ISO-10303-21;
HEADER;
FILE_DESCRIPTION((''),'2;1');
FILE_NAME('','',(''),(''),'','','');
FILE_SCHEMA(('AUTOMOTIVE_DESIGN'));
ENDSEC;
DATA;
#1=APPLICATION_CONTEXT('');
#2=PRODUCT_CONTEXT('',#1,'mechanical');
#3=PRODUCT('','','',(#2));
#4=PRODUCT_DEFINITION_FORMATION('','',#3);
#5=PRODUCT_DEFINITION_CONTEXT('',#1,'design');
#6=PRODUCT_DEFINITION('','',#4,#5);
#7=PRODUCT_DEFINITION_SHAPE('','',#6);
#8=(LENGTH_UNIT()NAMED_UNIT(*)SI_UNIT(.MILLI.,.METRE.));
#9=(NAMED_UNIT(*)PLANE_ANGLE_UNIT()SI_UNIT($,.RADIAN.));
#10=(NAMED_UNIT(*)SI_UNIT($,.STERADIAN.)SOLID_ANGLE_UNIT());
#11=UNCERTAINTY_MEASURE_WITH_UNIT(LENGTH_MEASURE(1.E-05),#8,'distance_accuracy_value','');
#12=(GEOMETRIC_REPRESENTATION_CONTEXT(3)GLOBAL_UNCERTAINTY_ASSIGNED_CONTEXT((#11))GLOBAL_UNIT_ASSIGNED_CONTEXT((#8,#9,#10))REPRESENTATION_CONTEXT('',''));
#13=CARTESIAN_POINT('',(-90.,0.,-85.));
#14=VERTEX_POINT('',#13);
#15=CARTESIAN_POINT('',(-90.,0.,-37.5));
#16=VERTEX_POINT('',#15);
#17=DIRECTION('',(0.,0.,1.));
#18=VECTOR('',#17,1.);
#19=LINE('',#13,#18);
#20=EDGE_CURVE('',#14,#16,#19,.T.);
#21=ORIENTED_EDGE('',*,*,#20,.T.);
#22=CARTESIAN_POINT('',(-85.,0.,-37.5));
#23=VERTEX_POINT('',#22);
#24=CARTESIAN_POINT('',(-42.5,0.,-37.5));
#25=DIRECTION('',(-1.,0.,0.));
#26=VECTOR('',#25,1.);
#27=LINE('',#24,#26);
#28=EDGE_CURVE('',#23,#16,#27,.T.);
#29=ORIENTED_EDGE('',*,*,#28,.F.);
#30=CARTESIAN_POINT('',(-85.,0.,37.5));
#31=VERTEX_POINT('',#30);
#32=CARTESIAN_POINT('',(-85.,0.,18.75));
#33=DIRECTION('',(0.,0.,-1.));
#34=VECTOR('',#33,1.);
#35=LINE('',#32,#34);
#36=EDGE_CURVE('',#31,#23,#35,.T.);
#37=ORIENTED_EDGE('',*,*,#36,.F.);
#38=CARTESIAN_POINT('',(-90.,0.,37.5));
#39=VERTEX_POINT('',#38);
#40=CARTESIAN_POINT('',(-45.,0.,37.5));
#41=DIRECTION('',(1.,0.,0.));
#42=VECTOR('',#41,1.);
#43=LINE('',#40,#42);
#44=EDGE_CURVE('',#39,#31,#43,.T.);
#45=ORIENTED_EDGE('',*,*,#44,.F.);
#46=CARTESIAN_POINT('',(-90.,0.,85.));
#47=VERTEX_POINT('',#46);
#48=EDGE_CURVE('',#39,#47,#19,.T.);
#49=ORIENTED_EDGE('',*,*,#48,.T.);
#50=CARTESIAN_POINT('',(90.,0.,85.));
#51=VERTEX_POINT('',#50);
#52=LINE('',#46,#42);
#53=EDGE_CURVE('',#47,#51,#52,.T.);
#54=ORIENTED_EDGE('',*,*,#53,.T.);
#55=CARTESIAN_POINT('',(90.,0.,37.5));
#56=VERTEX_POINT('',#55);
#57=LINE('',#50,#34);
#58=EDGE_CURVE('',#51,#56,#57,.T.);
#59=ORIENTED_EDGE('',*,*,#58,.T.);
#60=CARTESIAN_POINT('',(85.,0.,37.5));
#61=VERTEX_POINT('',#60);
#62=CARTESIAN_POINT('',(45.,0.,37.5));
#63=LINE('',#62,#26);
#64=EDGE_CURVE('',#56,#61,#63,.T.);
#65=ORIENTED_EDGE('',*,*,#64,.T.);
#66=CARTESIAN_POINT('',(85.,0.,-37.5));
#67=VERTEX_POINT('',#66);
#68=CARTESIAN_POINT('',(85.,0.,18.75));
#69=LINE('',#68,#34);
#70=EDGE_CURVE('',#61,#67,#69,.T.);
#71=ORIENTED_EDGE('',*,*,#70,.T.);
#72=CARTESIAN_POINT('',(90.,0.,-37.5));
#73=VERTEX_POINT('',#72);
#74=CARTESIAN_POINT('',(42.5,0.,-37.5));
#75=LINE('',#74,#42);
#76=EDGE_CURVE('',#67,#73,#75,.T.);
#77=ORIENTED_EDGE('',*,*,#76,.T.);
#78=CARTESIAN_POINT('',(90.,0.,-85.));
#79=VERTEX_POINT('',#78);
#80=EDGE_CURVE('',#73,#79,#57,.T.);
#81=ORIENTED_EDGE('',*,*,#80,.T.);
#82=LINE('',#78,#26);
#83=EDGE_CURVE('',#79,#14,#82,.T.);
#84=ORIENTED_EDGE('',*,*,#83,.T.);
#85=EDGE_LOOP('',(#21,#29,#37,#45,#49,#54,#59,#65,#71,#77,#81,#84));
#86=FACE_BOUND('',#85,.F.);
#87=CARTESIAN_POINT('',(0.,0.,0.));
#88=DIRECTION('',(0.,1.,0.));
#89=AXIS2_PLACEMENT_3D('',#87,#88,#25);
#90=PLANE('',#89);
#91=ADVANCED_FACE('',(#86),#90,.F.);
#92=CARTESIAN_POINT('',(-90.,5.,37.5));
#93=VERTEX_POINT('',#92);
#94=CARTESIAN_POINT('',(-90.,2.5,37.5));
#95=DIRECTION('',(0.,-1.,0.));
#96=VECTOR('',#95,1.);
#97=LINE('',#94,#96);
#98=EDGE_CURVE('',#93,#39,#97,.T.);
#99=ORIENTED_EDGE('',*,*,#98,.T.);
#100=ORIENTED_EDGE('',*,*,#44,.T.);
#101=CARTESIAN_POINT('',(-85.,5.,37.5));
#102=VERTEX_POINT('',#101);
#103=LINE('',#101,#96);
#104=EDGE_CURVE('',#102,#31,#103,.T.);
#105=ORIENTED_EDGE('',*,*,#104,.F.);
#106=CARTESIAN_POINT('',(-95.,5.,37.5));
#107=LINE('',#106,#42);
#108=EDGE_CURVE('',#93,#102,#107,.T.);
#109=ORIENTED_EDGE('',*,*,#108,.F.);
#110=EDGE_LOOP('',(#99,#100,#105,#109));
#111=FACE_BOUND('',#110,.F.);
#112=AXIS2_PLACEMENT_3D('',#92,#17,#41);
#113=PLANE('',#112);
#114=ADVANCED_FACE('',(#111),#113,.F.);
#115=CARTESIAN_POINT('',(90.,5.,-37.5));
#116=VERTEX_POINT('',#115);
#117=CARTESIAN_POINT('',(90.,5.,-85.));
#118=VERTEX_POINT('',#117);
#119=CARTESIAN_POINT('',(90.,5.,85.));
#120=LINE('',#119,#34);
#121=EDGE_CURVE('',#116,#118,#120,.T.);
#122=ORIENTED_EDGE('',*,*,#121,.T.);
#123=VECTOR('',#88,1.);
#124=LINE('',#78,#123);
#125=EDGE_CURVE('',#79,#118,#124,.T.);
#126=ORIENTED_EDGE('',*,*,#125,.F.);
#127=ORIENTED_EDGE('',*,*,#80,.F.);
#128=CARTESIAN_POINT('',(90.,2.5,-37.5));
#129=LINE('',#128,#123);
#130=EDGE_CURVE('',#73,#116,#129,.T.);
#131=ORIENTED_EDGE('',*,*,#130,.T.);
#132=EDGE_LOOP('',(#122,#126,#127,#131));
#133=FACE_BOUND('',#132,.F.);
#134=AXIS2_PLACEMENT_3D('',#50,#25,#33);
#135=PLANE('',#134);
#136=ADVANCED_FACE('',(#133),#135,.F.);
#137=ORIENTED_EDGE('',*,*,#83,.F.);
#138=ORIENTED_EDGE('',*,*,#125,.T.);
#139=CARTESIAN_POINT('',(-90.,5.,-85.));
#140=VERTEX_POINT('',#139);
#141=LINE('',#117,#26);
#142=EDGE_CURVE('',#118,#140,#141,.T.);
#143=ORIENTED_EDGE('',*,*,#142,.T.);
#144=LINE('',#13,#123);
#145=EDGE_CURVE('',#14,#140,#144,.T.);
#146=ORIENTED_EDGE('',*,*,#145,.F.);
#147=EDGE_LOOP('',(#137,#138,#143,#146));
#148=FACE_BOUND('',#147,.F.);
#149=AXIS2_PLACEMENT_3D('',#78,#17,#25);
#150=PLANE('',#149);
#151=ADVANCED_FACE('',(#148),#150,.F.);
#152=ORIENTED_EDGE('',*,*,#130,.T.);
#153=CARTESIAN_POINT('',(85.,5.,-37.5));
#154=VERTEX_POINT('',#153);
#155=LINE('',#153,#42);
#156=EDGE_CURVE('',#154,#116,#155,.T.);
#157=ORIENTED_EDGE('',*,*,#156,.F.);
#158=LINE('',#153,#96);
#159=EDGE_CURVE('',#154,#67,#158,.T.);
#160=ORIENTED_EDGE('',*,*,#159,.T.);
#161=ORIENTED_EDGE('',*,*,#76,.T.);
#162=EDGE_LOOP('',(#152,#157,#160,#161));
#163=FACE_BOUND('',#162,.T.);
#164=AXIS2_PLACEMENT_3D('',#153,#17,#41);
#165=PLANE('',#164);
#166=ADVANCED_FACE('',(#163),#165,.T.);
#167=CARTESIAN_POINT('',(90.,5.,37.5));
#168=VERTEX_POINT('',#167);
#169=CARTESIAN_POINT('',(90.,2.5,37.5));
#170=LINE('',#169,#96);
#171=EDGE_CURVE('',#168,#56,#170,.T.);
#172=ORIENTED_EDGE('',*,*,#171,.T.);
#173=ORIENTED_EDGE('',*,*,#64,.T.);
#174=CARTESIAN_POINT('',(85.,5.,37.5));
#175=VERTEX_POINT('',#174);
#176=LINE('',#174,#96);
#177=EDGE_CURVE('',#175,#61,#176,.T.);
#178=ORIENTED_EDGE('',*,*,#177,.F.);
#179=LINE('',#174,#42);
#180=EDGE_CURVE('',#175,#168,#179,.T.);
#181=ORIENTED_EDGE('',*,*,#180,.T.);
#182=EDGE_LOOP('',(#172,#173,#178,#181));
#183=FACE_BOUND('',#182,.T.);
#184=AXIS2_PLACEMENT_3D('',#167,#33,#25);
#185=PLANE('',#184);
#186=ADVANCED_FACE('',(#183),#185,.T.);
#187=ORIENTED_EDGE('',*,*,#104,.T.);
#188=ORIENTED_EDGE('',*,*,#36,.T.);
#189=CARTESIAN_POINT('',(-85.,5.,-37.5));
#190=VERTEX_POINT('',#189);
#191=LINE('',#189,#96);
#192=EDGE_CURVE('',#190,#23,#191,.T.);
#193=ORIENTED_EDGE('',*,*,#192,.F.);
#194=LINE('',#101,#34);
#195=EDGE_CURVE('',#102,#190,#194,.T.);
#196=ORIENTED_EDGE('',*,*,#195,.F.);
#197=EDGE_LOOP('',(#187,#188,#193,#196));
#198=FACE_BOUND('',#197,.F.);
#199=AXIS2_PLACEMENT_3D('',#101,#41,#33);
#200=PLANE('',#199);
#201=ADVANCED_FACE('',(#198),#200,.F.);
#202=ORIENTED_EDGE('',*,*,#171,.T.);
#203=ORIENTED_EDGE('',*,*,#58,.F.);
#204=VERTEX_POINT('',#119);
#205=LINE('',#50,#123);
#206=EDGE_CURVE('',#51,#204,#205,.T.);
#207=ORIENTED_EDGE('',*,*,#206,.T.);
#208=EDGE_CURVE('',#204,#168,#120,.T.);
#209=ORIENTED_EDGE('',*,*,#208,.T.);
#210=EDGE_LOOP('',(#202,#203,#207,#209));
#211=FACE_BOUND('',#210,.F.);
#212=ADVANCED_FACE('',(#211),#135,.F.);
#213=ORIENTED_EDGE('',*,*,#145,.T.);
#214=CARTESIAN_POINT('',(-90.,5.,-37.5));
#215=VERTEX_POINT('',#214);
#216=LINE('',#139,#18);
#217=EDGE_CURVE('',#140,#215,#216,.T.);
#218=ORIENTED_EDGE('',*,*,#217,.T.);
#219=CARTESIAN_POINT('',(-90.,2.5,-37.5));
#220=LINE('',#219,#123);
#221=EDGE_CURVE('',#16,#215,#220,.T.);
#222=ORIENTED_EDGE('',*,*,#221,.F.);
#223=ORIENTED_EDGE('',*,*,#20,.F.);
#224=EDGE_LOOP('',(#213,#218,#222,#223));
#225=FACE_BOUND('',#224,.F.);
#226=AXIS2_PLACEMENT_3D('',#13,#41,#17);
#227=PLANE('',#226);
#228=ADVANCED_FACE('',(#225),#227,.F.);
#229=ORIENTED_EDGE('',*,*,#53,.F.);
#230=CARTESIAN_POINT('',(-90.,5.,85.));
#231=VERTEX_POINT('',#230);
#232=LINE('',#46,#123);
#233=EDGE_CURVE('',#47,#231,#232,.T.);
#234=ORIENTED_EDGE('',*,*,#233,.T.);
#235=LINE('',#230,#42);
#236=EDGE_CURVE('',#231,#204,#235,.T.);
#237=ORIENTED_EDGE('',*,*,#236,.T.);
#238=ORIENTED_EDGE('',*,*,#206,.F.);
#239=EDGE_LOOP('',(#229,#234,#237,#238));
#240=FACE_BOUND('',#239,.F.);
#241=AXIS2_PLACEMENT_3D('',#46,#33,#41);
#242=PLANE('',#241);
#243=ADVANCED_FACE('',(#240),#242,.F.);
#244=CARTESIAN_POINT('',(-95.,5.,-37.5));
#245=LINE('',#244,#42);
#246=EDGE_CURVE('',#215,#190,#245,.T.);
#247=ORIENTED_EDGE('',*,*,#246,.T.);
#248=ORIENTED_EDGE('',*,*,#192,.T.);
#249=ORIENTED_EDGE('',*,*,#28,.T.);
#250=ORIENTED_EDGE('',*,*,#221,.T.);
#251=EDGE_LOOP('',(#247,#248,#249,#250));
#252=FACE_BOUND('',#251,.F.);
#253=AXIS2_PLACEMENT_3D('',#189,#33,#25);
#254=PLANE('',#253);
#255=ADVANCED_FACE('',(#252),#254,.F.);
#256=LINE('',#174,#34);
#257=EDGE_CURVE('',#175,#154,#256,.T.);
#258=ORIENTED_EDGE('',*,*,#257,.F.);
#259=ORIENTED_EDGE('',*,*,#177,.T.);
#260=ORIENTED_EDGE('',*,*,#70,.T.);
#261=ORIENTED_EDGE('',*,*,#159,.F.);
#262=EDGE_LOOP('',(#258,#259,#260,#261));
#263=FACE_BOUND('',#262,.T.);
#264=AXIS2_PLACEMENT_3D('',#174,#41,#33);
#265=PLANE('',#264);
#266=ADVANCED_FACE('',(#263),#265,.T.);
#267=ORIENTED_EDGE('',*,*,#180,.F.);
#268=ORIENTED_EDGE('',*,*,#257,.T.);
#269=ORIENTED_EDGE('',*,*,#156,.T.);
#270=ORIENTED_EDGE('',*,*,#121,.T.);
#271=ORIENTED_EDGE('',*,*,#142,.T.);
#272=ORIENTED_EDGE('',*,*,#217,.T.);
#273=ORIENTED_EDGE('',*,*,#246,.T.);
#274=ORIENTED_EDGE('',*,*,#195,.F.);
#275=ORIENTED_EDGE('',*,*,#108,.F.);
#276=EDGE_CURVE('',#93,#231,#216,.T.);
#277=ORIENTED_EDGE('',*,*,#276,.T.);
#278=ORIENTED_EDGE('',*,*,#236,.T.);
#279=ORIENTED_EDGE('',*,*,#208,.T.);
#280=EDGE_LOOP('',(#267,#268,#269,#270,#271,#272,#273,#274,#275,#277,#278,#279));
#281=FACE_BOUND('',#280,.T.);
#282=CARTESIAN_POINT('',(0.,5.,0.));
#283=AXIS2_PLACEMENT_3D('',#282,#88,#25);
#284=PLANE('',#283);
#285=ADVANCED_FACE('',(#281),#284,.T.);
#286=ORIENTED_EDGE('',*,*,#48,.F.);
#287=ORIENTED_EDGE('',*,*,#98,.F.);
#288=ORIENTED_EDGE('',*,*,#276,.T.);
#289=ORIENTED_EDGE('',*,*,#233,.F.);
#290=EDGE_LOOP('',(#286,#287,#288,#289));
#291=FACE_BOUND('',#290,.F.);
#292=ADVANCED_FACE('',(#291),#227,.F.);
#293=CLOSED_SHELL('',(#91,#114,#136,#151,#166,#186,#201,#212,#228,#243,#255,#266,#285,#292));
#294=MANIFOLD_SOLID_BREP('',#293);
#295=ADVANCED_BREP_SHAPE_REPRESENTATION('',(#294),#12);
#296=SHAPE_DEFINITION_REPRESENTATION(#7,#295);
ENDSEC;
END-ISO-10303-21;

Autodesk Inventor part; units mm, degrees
ref_plane "YZ Plane" through (0, 0, 0) normal (1, 0, 0) x (0, 1, 0)
ref_plane "XZ Plane" through (0, 0, 0) normal (0, 1, 0) x (-1, 0, 0)
ref_plane "XY Plane" through (0, 0, 0) normal (0, 0, 1) x (1, 0, 0)
sketch "Sketch1" plane through (0, 0, 0) normal (0, 1, 0) x (-1, 0, 0)
  line L0 (90, 85) -> (-90, 85)
  line L1 (-90, 85) -> (-90, -85)
  line L2 (-90, -85) -> (90, -85)
  line L3 (90, -85) -> (90, 85)
  line L4 (90, 85) -> (-90, -85) construction
  line L5 (-90, 85) -> (90, -85) construction
  point P0 (0, 0)
  dimension "d0" = 170
  dimension "d1" = 180
extrude "Extrusion1" add sketch "Sketch1" along normal blind 5
sketch "Sketch2" plane through (0, 5, 0) normal (0, 1, 0) x (1, 0, 0)
  line L0 (85, 37.5) -> (95, 37.5)
  line L1 (95, 37.5) -> (95, -37.5)
  line L2 (95, -37.5) -> (85, -37.5)
  line L3 (85, -37.5) -> (85, 37.5)
  line L4 (90, -85) -> (90, 85) projected
  line L5 (85, 37.5) -> (95, -37.5) construction
  line L6 (95, 37.5) -> (85, -37.5) construction
  line L7 (0, 0) -> (0, 85) construction
  line L8 (90, 85) -> (-90, 85) projected
  line L9 (-85, 37.5) -> (-95, 37.5)
  line L10 (-95, 37.5) -> (-95, -37.5)
  line L11 (-95, -37.5) -> (-85, -37.5)
  line L12 (-85, -37.5) -> (-85, 37.5)
  line L13 (-90, -85) -> (-90, 85)
  line L14 (-85, 37.5) -> (-95, -37.5) construction
  line L15 (-95, 37.5) -> (-85, -37.5) construction
  point P0 (90, 0)
  point P1 (-90, 0)
  dimension "d4" = 75
  dimension "d5" = 5
extrude "Extrusion2" cut sketch "Sketch2" against normal blind 10
properties part number "Gel base"
